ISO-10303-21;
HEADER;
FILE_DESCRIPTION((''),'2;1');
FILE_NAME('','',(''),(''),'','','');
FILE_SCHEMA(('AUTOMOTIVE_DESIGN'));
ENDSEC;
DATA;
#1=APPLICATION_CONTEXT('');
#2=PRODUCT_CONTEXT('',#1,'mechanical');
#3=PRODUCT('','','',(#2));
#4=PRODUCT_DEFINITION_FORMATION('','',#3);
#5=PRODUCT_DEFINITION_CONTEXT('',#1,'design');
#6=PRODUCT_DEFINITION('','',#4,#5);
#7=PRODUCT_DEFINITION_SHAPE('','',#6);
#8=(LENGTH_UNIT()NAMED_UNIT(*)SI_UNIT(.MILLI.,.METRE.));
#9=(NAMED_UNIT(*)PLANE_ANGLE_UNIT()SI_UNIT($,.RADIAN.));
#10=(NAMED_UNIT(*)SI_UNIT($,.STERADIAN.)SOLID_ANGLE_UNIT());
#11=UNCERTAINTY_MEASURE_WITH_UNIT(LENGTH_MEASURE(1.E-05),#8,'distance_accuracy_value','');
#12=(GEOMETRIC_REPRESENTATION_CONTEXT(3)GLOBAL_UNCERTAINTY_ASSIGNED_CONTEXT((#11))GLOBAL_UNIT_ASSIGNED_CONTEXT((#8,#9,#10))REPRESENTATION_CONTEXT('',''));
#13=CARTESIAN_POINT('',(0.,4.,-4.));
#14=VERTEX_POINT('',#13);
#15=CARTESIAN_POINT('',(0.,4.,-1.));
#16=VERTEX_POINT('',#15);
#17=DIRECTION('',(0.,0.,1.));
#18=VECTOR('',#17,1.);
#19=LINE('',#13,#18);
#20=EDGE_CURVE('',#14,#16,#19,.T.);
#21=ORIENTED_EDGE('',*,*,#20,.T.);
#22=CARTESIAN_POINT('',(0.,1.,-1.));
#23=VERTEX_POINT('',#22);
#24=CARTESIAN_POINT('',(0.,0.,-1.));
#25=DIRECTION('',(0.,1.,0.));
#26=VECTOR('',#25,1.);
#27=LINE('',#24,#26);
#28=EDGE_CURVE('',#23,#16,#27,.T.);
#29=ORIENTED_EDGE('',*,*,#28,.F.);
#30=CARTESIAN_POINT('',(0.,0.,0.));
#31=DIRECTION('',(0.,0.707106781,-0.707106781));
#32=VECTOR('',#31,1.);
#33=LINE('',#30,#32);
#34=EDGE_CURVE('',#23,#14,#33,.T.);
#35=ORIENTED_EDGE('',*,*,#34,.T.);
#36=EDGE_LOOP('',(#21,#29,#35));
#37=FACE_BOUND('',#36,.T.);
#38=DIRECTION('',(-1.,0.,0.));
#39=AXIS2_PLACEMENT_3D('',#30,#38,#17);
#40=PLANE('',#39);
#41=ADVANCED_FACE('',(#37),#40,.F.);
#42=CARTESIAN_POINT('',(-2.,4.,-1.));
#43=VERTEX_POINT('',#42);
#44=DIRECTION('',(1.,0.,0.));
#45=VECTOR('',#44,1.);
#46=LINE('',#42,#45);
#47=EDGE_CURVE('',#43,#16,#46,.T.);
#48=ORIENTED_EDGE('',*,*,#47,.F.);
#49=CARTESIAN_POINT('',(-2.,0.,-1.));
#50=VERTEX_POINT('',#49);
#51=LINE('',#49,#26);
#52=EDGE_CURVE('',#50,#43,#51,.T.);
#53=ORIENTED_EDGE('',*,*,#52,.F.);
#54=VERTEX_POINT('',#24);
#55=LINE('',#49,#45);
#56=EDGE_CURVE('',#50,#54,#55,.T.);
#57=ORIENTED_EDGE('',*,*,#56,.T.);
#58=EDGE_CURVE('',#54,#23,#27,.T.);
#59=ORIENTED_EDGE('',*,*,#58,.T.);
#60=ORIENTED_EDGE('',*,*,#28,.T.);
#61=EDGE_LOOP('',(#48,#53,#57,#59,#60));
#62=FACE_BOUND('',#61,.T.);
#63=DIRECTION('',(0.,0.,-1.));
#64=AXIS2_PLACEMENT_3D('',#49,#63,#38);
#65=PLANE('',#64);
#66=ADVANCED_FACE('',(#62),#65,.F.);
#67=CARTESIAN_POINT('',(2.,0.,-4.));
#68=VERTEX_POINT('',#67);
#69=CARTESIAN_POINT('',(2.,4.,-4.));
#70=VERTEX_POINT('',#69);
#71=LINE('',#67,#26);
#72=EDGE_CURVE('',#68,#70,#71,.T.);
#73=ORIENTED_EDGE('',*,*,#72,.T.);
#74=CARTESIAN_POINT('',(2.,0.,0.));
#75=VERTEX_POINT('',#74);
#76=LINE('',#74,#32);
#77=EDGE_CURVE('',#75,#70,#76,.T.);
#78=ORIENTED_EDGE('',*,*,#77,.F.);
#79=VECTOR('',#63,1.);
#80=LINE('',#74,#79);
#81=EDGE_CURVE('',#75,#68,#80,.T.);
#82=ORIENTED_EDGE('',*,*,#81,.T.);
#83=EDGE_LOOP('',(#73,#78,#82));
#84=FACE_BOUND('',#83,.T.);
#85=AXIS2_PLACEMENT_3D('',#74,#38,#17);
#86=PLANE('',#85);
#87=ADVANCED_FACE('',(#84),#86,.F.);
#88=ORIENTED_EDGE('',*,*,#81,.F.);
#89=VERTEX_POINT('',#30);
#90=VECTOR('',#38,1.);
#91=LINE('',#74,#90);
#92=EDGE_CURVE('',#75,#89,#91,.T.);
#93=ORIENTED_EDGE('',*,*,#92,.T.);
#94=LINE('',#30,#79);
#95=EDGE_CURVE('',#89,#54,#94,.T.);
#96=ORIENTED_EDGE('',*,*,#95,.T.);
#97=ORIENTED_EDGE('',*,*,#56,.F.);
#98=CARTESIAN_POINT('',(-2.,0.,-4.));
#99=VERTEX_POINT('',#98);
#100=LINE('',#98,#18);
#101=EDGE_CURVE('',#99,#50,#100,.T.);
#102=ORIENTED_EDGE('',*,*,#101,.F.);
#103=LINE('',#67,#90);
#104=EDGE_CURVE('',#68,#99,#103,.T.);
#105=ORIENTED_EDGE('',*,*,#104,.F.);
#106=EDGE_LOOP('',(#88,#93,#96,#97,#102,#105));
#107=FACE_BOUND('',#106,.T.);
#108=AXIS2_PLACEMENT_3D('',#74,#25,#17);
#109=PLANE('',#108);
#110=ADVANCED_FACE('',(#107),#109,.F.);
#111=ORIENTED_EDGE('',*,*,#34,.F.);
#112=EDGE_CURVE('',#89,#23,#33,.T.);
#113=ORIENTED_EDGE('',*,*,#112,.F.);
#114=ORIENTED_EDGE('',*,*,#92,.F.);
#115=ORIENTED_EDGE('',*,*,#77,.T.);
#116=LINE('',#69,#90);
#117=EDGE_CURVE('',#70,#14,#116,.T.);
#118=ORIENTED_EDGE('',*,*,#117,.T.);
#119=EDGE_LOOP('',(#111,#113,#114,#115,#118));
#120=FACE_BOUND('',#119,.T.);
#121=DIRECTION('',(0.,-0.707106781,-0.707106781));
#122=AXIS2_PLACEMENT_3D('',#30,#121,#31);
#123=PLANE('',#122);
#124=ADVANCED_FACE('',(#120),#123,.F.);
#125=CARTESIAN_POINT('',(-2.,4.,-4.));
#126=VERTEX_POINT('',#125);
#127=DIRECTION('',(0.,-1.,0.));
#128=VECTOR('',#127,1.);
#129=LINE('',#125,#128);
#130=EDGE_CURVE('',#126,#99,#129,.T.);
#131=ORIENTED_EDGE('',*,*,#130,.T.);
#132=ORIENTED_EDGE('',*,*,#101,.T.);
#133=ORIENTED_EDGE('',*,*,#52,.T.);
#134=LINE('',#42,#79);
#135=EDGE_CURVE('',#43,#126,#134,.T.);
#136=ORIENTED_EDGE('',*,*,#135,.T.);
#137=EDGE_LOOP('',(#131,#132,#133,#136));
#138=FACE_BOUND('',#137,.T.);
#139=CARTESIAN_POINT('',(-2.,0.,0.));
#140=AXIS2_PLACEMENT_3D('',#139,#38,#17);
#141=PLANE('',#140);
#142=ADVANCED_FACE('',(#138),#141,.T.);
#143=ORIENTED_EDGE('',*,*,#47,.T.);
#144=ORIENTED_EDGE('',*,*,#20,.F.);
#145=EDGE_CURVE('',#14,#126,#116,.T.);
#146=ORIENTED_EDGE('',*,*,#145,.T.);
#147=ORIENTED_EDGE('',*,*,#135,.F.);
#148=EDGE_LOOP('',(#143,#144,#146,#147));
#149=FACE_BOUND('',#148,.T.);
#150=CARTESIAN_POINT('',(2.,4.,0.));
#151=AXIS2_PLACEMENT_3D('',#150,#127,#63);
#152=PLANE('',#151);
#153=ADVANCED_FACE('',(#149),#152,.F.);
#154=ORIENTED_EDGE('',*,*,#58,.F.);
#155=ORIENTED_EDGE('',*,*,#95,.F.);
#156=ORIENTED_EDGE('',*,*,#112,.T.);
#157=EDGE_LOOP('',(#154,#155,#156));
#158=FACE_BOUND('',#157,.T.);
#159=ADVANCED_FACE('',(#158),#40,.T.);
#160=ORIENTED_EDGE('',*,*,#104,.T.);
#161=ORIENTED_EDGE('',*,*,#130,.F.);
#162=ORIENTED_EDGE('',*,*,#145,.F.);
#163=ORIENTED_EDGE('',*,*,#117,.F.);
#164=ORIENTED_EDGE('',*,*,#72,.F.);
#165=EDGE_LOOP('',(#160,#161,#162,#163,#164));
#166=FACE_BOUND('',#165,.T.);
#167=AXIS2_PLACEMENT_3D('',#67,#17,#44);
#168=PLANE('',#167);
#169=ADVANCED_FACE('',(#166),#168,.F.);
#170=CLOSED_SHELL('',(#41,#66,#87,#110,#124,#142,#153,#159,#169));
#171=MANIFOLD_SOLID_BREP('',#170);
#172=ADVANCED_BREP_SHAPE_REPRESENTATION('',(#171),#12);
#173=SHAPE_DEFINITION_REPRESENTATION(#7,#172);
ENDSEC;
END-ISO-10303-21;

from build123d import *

# Parameters (mm, degrees)
SKETCH1_W           = 4
SKETCH1_H           = 4
BOSS_EXTRUDE1_DEPTH = 2
SKETCH2_W           = 3
SKETCH2_H           = 4
BOSS_EXTRUDE2_DEPTH = 2
CUT_EXTRUDE1_DEPTH  = 2


with BuildPart() as part:
    # Sketch1 → Boss-Extrude1 (new body)
    with BuildSketch(Plane(origin=(0, 0, 0), x_dir=(0, 0, -1), z_dir=(1, 0, 0))):
        with Locations((2, 2)):
            Rectangle(SKETCH1_W, SKETCH1_H)
    extrude(amount=BOSS_EXTRUDE1_DEPTH)

    # Sketch2 → Boss-Extrude2 (add)
    with BuildSketch(Plane.ZY):
        with Locations((-2.5, 2)):
            Rectangle(SKETCH2_W, SKETCH2_H)
    extrude(amount=BOSS_EXTRUDE2_DEPTH)

    # Sketch3 → Cut-Extrude1 (cut)
    with BuildSketch(Plane(origin=(2, 0, 0), x_dir=(0, 0, -1), z_dir=(1, 0, 0))):
        Polygon((0, 0), (4, 4), (0, 4), align=None)
    extrude(amount=-CUT_EXTRUDE1_DEPTH, mode=Mode.SUBTRACT)


solid = part.part
